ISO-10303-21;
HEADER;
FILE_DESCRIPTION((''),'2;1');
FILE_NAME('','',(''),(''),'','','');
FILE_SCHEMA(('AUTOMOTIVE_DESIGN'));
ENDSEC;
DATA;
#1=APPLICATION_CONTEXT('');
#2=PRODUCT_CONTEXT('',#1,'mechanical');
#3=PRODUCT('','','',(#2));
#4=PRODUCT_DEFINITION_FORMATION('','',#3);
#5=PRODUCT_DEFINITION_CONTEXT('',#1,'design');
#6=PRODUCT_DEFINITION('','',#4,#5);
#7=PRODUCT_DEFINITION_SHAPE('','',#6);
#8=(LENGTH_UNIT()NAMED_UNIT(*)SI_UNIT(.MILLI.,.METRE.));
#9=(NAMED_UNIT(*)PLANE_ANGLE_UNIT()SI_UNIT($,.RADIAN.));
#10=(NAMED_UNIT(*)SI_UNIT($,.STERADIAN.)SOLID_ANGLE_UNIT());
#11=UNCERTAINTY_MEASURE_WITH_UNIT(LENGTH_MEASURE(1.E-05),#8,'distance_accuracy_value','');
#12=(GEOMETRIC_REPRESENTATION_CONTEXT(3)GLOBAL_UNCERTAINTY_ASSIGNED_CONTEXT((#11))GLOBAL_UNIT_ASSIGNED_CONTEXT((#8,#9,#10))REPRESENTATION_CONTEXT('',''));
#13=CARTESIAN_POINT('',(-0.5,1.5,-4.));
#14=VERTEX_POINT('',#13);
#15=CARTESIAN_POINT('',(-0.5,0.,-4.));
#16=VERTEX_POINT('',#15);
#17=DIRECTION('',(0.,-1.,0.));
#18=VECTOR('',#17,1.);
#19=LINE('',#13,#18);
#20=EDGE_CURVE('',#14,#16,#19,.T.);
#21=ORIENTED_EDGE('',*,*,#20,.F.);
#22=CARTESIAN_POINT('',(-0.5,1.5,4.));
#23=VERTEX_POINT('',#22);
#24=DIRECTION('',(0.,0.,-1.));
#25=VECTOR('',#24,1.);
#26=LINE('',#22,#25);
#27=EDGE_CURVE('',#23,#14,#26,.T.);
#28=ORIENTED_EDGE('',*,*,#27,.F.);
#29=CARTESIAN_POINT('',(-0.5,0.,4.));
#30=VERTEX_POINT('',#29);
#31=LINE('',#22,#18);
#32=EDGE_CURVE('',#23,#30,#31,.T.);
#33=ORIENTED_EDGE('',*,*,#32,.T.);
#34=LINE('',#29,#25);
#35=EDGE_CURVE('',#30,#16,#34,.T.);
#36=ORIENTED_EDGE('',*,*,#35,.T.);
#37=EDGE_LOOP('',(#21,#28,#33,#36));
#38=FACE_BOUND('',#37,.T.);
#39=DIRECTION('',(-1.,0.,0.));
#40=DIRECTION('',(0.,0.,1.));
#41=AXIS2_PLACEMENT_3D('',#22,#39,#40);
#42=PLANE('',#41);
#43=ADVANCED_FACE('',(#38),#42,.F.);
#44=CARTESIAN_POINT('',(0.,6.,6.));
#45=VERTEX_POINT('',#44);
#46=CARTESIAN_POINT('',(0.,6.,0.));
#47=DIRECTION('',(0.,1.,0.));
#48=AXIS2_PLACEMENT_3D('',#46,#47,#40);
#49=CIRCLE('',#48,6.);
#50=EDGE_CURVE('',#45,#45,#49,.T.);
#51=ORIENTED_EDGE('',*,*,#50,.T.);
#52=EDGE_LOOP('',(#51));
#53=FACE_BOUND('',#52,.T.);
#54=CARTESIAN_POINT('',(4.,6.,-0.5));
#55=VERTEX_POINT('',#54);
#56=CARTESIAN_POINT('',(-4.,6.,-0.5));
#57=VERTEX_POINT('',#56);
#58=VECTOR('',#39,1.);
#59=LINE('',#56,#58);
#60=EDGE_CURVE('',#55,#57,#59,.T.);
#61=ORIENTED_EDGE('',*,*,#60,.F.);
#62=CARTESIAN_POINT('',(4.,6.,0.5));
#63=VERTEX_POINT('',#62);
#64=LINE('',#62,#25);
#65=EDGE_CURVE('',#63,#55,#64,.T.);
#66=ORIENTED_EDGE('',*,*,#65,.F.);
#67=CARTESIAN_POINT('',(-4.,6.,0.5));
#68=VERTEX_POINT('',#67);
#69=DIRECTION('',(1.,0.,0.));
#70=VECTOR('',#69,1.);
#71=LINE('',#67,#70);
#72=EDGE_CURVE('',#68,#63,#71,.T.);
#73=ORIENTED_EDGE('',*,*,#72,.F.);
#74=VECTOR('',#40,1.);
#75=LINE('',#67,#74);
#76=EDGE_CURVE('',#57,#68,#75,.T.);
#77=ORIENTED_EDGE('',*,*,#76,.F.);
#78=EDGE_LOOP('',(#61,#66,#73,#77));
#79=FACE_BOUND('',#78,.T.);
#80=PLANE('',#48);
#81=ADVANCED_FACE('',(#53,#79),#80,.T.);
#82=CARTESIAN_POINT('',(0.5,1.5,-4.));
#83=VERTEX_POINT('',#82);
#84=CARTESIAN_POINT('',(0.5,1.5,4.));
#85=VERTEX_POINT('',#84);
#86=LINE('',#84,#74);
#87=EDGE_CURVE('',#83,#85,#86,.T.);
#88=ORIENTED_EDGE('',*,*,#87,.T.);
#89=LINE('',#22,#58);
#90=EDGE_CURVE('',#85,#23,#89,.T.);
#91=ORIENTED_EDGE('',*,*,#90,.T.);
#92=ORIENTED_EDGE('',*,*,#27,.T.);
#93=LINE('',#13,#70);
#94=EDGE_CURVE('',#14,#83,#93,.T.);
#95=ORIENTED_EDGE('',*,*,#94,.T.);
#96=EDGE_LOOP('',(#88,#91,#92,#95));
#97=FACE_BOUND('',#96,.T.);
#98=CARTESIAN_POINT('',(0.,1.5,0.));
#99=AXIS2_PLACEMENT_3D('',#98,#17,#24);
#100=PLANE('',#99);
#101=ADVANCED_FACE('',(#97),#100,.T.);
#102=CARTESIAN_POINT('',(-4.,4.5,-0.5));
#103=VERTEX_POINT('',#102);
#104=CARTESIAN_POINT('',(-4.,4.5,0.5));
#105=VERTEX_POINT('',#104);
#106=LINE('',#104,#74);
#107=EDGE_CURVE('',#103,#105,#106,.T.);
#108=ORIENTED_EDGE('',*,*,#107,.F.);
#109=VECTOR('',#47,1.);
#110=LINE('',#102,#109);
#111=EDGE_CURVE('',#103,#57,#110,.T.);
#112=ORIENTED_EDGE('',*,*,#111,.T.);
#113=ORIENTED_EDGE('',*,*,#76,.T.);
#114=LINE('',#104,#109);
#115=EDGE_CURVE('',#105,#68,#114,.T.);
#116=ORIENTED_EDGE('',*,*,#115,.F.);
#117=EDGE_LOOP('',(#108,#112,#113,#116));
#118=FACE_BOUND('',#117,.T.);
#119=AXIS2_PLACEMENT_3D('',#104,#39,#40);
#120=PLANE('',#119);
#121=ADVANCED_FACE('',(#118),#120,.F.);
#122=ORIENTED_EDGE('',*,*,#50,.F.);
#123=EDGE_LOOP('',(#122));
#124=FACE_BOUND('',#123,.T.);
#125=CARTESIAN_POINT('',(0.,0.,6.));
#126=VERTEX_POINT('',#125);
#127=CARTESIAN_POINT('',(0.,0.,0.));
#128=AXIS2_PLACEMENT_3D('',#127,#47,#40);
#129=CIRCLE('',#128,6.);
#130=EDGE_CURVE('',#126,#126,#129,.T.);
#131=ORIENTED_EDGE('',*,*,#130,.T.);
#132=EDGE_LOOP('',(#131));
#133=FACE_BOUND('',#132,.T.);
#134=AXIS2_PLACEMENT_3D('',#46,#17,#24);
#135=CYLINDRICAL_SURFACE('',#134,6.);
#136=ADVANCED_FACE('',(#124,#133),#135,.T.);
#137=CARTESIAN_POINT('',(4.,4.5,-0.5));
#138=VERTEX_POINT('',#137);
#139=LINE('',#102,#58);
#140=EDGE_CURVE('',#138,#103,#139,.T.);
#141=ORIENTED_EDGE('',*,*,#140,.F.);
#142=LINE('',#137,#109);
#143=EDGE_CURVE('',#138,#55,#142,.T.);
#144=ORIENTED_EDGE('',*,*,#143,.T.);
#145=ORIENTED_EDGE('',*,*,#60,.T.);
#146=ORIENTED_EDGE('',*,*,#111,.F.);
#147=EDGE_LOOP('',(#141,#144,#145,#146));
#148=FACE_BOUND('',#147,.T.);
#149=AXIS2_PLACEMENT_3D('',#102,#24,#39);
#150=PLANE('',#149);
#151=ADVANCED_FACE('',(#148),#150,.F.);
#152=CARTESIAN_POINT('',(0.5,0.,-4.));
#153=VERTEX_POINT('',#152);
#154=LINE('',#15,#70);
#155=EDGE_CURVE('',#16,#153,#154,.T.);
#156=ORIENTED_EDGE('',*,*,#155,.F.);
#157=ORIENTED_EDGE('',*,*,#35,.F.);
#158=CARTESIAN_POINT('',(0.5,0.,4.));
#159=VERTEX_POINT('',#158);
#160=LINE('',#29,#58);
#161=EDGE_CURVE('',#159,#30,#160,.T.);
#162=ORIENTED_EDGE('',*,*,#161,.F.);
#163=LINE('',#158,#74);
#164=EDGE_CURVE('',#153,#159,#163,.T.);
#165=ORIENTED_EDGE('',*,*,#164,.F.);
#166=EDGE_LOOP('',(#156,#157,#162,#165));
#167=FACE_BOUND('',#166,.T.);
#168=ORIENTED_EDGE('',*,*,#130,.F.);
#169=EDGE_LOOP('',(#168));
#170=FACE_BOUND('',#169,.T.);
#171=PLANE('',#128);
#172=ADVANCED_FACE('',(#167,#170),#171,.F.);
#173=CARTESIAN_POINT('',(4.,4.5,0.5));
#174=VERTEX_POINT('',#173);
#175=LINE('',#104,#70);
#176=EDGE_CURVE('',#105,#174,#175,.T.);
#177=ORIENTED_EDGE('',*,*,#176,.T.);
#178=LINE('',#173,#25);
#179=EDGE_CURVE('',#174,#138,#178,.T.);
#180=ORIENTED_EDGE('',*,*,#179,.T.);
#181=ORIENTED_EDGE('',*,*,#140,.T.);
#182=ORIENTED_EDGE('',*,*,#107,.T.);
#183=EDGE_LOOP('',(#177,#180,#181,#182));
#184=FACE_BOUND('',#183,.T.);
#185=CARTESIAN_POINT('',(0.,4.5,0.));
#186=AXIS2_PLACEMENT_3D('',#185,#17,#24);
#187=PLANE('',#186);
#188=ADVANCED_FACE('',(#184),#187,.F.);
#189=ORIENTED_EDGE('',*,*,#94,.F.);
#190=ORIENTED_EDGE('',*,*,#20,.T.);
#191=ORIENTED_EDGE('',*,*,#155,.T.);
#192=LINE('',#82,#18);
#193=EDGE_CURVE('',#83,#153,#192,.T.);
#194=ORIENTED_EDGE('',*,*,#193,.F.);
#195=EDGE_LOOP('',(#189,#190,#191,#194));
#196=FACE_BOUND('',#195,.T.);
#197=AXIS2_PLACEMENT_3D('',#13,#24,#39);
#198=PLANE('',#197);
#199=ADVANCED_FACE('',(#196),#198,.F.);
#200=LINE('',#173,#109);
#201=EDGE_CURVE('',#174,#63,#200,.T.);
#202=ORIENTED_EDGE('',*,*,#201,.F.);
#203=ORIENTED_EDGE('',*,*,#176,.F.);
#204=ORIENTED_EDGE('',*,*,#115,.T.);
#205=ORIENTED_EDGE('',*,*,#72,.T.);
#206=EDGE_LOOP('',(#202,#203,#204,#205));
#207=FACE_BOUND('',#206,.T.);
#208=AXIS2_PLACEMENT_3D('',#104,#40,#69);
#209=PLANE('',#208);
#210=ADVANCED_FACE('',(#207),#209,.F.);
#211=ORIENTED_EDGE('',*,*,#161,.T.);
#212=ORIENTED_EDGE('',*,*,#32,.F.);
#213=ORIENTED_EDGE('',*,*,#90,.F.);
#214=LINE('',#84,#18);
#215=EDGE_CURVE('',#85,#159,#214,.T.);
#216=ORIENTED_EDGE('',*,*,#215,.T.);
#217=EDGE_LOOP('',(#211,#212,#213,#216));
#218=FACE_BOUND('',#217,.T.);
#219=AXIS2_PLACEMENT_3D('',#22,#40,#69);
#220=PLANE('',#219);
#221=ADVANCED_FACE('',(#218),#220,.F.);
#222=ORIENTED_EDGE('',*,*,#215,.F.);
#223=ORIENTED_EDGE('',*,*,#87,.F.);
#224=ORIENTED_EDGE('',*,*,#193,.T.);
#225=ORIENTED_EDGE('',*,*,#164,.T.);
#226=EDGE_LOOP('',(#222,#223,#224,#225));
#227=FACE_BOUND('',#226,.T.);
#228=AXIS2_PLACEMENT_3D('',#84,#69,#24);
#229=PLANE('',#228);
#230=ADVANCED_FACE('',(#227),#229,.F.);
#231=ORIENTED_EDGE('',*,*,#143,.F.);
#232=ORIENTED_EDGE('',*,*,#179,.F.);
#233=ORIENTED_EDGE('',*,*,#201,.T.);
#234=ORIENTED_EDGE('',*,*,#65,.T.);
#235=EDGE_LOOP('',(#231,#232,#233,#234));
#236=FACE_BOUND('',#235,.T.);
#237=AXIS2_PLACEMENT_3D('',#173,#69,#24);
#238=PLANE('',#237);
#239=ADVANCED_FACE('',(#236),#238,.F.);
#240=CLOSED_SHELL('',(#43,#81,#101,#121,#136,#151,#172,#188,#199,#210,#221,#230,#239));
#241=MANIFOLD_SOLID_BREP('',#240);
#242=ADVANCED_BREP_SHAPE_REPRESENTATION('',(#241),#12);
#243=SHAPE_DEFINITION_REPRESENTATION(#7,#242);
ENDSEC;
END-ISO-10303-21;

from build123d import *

# Parameters (mm, degrees)
SKIZZE1_R                       = 6
AUFSATZ_LINEAR_AUSTRAGEN1_DEPTH = 6
SKIZZE2_W                       = 8
SKIZZE2_H                       = 1
SCHNITT_LINEAR_AUSTRAGEN1_DEPTH = 1.5
SKIZZE3_W                       = 1
SKIZZE3_H                       = 8
SCHNITT_LINEAR_AUSTRAGEN2_DEPTH = 1.5


with BuildPart() as part:
    # Skizze1 → Aufsatz-Linear austragen1 (new body)
    with BuildSketch(Plane(origin=(0, 0, 0), x_dir=(1, 0, 0), z_dir=(0, 1, 0))):
        Circle(SKIZZE1_R)
    extrude(amount=AUFSATZ_LINEAR_AUSTRAGEN1_DEPTH)

    # Skizze2 → Schnitt-Linear austragen1 (cut)
    with BuildSketch(Plane(origin=(0, 6, 0), x_dir=(1, 0, 0), z_dir=(0, 1, 0))):
        Rectangle(SKIZZE2_W, SKIZZE2_H)
    extrude(amount=-SCHNITT_LINEAR_AUSTRAGEN1_DEPTH, mode=Mode.SUBTRACT)

    # Skizze3 → Schnitt-Linear austragen2 (cut)
    with BuildSketch(Plane.XZ):
        Rectangle(SKIZZE3_W, SKIZZE3_H)
    extrude(amount=-SCHNITT_LINEAR_AUSTRAGEN2_DEPTH, mode=Mode.SUBTRACT)


solid = part.part
